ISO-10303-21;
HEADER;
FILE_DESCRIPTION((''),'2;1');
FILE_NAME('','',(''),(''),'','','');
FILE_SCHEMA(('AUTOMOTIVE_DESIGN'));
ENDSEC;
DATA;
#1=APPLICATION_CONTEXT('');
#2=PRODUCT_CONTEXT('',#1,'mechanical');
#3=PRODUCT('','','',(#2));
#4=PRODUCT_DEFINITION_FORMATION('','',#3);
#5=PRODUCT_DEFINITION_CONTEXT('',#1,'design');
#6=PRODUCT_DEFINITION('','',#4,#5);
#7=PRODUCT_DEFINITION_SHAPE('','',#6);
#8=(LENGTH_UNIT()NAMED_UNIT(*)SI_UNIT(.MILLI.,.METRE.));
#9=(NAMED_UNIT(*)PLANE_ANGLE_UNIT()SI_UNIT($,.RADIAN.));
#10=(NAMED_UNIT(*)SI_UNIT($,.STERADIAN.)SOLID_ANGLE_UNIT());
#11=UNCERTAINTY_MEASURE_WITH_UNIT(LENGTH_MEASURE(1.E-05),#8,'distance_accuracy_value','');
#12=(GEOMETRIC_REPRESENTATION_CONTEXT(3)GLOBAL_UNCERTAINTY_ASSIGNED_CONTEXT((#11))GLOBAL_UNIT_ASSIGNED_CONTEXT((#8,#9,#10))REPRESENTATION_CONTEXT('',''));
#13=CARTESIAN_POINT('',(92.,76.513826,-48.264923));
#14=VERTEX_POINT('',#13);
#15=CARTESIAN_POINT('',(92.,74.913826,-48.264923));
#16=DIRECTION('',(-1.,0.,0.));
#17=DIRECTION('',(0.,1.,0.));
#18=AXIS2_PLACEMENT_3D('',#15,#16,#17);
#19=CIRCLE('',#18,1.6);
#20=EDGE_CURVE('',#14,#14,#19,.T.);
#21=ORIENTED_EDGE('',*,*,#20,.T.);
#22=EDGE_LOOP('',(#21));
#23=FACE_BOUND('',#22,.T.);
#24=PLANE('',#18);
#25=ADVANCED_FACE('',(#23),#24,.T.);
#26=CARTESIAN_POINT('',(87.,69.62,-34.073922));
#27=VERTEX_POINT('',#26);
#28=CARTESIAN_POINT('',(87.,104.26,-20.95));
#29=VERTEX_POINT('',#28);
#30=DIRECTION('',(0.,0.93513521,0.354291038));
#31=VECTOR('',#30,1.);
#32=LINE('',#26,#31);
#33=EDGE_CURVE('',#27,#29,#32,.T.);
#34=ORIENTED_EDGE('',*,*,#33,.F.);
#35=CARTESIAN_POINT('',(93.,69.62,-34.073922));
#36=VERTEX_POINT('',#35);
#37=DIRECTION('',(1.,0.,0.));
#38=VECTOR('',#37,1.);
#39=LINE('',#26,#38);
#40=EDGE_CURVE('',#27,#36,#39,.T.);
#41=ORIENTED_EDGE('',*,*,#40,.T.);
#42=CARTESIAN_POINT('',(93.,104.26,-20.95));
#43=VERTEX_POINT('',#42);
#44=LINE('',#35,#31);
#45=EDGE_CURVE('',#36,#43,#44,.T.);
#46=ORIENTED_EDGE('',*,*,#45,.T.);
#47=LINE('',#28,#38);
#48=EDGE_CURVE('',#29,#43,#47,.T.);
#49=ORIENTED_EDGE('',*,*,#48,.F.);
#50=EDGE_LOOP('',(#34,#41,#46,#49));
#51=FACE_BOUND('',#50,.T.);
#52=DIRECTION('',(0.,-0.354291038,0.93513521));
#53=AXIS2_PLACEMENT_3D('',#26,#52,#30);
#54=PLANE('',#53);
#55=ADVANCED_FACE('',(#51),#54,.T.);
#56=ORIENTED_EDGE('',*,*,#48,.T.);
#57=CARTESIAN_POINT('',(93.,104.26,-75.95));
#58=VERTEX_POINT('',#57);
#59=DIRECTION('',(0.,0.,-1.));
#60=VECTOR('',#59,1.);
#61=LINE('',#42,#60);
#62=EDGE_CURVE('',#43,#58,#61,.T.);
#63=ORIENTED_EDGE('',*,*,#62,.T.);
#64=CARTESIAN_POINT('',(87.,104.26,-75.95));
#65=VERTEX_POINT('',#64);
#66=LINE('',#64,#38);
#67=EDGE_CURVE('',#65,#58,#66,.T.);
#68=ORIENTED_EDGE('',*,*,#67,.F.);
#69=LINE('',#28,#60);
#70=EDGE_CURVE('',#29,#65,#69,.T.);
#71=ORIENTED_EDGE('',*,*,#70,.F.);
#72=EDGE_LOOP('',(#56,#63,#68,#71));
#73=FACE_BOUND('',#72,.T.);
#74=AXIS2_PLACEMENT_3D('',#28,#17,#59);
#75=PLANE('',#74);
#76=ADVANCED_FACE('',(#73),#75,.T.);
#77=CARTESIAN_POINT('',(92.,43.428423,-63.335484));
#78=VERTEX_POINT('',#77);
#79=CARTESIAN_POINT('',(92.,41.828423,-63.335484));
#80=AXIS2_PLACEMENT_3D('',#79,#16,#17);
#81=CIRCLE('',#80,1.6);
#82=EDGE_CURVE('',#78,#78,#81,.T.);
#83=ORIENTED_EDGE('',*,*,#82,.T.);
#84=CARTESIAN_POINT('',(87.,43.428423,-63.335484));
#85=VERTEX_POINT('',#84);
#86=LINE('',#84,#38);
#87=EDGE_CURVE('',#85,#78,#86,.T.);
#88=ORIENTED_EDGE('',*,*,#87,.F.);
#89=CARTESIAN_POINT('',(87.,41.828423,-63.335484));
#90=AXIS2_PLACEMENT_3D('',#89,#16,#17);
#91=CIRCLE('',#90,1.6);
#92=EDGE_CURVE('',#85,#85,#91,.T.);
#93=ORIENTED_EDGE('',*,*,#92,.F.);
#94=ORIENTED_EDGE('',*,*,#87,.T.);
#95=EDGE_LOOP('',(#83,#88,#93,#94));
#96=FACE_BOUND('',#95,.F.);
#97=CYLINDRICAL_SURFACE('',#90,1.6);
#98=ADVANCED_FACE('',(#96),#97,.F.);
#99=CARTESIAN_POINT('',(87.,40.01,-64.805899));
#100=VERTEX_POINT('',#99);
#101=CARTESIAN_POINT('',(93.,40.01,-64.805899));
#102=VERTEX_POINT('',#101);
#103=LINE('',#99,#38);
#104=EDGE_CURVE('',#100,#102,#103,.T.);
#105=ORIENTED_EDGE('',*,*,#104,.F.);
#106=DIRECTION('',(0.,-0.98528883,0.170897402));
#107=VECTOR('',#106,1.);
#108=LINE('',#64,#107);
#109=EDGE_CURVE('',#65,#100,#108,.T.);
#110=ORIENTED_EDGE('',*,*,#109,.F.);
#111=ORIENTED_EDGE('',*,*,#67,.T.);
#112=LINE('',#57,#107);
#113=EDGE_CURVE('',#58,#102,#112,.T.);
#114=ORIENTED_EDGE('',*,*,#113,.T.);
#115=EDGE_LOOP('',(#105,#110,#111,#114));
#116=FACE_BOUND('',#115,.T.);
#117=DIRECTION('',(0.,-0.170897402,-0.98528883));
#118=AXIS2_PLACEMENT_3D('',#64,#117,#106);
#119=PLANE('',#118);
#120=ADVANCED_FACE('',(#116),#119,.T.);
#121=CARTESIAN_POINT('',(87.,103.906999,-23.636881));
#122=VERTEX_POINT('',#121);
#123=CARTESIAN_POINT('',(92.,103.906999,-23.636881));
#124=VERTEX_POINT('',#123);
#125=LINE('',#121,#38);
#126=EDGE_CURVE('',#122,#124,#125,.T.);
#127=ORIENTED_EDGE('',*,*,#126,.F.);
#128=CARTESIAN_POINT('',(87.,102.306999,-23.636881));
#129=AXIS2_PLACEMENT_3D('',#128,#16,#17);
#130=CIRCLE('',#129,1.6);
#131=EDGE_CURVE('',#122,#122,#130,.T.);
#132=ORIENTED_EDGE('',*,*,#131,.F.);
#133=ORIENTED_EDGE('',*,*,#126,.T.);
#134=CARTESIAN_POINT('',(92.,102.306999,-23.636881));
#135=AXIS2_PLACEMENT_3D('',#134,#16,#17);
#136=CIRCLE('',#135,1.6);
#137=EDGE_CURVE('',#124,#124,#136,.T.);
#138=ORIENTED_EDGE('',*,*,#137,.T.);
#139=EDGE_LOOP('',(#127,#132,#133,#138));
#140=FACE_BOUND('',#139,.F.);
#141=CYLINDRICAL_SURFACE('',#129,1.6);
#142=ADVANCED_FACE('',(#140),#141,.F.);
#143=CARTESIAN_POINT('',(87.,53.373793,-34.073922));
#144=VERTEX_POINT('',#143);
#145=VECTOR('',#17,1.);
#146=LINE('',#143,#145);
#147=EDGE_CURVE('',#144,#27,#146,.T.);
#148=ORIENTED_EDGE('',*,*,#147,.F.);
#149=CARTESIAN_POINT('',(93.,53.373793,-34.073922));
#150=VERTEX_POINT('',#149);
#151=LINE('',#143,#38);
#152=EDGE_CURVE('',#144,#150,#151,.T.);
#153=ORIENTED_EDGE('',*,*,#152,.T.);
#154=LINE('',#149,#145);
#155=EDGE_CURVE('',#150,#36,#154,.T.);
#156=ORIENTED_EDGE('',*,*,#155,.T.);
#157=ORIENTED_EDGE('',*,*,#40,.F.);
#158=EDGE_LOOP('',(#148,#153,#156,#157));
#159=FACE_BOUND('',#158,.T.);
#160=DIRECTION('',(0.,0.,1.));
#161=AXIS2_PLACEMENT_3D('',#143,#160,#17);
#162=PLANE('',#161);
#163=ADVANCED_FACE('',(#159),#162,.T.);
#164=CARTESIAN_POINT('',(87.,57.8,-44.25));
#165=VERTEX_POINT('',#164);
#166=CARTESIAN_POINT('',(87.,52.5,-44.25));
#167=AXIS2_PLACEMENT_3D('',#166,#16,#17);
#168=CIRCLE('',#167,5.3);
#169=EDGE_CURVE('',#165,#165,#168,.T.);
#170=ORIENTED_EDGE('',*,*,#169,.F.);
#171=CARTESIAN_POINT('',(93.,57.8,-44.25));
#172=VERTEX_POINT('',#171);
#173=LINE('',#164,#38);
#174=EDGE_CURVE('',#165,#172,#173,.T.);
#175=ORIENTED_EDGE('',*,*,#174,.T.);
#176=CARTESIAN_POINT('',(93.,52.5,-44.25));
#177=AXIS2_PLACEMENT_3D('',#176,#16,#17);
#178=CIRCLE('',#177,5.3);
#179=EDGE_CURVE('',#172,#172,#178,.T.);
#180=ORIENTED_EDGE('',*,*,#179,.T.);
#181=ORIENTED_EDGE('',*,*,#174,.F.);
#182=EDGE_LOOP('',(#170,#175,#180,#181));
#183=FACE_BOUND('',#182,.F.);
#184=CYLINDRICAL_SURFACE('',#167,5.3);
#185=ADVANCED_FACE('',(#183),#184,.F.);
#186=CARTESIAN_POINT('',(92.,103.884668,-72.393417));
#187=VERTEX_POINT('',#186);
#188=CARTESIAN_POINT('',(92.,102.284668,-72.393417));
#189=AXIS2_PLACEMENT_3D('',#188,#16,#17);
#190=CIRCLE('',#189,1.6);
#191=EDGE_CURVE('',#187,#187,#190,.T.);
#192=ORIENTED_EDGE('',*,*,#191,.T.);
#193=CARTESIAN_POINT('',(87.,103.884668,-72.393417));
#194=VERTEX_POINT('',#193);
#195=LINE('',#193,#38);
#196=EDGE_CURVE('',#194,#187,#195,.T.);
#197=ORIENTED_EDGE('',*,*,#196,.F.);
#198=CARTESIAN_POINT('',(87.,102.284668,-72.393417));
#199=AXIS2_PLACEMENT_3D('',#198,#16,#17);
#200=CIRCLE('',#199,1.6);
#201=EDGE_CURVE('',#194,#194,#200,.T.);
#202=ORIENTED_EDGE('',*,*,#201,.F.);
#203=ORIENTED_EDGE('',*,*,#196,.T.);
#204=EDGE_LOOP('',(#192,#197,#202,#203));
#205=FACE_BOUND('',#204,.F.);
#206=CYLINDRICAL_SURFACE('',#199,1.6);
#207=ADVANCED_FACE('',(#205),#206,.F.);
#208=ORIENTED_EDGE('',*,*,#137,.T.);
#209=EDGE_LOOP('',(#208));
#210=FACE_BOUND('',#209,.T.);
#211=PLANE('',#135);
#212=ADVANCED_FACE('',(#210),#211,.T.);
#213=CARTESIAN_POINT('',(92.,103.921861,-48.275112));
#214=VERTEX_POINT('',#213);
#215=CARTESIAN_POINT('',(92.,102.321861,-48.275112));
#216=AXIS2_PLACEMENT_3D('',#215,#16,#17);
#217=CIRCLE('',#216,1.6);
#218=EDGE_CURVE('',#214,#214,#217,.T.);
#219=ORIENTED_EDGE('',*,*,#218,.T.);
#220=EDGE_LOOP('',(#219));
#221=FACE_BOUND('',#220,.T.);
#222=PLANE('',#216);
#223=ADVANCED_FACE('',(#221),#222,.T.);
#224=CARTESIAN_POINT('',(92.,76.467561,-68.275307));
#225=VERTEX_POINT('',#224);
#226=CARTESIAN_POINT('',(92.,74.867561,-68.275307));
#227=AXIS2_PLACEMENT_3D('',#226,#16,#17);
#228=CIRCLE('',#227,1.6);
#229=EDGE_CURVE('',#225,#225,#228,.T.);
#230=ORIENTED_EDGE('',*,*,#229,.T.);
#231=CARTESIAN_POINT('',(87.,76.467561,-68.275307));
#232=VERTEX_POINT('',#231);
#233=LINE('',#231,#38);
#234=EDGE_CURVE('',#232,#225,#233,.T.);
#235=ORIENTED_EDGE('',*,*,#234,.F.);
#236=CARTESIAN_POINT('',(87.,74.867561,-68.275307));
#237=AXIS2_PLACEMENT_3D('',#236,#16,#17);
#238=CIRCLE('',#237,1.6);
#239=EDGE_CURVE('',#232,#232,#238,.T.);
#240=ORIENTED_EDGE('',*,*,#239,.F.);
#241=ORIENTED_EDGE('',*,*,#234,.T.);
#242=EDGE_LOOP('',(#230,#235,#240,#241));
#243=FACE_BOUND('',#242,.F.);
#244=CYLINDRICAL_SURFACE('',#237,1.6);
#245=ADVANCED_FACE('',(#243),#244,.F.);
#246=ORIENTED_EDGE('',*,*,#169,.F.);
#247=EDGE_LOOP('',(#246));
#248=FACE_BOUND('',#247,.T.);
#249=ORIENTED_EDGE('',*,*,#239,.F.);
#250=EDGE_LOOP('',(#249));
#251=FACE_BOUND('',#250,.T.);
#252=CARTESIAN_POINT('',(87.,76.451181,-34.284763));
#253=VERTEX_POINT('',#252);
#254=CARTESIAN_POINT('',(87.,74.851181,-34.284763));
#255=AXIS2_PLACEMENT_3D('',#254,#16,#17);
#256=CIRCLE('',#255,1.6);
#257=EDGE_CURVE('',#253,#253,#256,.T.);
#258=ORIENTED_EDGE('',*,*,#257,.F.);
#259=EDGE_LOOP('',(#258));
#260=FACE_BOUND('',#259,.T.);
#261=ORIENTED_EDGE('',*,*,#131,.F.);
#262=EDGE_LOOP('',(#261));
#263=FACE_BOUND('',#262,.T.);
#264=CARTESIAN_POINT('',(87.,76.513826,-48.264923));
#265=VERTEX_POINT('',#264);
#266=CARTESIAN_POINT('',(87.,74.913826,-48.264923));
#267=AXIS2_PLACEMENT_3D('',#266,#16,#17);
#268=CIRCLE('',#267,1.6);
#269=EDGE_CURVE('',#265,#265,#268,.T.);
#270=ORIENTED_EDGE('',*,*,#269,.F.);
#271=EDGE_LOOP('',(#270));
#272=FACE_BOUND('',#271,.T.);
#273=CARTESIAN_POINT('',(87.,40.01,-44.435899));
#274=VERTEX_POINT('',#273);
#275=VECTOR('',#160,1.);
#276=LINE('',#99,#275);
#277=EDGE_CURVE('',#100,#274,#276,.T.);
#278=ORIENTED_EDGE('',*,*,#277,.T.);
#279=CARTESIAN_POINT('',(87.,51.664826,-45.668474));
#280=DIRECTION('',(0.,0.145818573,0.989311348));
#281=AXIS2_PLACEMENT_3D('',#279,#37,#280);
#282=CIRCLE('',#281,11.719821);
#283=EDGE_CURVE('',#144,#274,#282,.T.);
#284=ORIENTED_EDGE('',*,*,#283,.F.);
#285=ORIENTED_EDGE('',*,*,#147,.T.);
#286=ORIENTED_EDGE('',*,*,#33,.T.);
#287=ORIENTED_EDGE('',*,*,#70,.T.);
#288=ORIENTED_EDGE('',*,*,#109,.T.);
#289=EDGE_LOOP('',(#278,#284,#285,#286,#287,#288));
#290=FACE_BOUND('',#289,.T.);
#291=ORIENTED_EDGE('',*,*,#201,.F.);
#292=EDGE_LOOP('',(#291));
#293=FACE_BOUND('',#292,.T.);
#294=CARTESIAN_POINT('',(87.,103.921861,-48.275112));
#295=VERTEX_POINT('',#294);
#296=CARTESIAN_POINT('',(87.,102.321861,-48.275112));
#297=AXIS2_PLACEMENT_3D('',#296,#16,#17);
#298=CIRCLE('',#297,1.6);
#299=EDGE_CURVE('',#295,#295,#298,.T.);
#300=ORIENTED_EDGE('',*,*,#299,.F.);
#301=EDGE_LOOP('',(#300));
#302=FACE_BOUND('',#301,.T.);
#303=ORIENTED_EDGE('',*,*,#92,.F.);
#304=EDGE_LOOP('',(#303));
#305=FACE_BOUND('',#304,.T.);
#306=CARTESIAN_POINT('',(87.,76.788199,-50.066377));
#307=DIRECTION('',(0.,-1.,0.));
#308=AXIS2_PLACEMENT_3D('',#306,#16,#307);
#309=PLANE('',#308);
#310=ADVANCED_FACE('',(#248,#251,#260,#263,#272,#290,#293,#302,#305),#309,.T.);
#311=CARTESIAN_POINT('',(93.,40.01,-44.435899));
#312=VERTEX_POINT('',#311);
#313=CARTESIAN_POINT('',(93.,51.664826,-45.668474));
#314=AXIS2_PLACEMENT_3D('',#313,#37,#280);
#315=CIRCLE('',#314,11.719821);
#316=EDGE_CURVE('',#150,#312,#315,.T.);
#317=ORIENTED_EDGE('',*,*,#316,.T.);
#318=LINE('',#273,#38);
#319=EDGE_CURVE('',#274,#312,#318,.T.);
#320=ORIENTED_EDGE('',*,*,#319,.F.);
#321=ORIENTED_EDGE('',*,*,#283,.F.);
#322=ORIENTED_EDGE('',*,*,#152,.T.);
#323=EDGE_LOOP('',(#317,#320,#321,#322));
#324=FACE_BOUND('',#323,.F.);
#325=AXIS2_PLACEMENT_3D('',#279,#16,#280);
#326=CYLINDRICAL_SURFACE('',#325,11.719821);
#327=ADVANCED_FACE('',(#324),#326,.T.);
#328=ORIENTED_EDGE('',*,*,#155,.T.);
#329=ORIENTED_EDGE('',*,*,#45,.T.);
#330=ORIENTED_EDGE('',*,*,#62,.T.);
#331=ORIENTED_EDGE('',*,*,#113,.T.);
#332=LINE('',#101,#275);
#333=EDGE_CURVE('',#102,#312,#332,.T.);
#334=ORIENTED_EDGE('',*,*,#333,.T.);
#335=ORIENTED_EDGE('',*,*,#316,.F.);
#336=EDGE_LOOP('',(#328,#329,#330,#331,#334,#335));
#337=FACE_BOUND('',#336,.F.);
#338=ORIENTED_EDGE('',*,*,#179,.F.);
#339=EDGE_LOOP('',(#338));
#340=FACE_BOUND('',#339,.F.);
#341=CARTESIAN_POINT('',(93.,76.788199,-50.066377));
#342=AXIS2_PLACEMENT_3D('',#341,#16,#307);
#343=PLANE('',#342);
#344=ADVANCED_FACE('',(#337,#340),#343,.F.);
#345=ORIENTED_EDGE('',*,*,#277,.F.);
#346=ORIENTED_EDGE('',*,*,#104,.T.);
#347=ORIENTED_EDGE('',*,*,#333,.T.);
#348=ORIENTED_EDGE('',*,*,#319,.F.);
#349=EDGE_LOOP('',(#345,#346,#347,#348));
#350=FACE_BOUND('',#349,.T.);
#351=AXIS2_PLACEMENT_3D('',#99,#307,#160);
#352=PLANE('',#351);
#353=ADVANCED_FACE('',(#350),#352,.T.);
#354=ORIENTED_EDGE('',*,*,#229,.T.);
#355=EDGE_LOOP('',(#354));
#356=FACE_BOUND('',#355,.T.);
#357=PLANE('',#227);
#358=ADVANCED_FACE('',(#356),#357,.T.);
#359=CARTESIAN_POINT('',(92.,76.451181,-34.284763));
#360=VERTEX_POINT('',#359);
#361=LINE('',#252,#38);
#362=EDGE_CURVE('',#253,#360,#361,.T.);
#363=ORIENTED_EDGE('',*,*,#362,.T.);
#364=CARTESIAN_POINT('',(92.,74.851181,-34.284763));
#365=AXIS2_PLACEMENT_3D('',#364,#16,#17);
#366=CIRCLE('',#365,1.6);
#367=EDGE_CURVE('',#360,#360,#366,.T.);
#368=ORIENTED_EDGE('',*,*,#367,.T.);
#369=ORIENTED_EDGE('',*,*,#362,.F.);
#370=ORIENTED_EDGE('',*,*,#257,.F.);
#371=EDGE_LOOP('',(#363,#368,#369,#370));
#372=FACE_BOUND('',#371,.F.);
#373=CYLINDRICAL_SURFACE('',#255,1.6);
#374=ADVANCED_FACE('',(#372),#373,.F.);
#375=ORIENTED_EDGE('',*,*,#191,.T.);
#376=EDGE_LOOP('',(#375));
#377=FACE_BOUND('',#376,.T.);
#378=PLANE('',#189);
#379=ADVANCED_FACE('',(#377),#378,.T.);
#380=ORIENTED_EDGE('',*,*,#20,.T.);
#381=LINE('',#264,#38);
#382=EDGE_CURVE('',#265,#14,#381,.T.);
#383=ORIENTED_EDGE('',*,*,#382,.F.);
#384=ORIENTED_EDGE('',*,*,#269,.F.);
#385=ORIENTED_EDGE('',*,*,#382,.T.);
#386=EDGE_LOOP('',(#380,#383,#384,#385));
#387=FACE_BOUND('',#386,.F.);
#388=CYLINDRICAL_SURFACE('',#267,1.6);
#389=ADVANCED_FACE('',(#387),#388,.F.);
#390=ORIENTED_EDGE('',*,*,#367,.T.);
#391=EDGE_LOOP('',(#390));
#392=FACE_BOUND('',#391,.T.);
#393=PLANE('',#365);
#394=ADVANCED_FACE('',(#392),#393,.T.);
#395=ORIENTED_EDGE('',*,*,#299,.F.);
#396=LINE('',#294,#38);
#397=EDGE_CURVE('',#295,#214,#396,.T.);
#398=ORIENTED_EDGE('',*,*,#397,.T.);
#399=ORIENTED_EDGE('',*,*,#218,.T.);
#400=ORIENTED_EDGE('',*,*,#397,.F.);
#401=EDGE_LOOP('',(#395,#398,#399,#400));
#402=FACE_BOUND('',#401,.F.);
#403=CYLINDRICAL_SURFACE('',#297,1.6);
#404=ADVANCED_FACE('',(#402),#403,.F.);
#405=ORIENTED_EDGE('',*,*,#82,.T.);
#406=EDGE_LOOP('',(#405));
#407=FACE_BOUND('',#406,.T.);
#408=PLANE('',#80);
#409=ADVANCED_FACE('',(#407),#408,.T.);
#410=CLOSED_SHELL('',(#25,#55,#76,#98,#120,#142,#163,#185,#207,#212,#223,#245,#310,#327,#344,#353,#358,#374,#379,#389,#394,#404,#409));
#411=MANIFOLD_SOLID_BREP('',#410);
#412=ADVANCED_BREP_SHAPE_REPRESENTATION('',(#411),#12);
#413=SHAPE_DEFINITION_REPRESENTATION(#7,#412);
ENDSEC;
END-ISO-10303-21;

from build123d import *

# Parameters (mm, degrees)
PAD012_DEPTH    = 6
SKETCH029_R     = 5.3
POCKET012_DEPTH = 6
SKETCH031_R     = 1.6
POCKET014_DEPTH = 5


with BuildPart() as part:
    # CopySketch029 → Pad012 (new body)
    with BuildSketch(Plane.YZ):
        with BuildLine():
            Line((69.62, -34.0739220052), (104.26, -20.95))
            Line((104.26, -20.95), (104.26, -75.95))
            Line((104.26, -75.95), (40.01, -64.8058991482))
            Line((40.01, -64.8058991482), (40.01, -44.4358991482))
            ThreePointArc((53.3737933734, -34.0739220052), (44.4834146169, -36.4066415985), (40.01, -44.4358991482))
            Line((53.3737933734, -34.0739220052), (69.62, -34.0739220052))
        make_face()
    extrude(amount=PAD012_DEPTH)

    # Sketch029 (on Face7 of Pad012) → Pocket012 (cut)
    with BuildSketch(Plane(origin=(0, 0, 0), x_dir=(0, 1, 0), z_dir=(-1, 0, 0))):
        with Locations((52.5, 44.25)):
            Circle(SKETCH029_R)
    extrude(amount=-POCKET012_DEPTH, mode=Mode.SUBTRACT)

    # Sketch031 (on Face4 of Pocket012) → Pocket014 (cut)
    with BuildSketch(Plane(origin=(0, 0, 0), x_dir=(0, 1, 0), z_dir=(-1, 0, 0))):
        with Locations((74.913826, 48.264923)):
            Circle(SKETCH031_R)
        with Locations((74.851181, 34.284763)):
            Circle(SKETCH031_R)
        with Locations((41.828423, 63.335484)):
            Circle(SKETCH031_R)
        with Locations((74.867561, 68.275307)):
            Circle(SKETCH031_R)
        with Locations((102.321861, 48.275112)):
            Circle(SKETCH031_R)
        with Locations((102.306999, 23.636881)):
            Circle(SKETCH031_R)
        with Locations((102.284668, 72.393417)):
            Circle(SKETCH031_R)
    extrude(amount=-POCKET014_DEPTH, mode=Mode.SUBTRACT)


with BuildPart() as part_1:
    # Body005 placement: moved
    add(part.part.moved(Location((87, 0, 0))))


solid = part_1.part
